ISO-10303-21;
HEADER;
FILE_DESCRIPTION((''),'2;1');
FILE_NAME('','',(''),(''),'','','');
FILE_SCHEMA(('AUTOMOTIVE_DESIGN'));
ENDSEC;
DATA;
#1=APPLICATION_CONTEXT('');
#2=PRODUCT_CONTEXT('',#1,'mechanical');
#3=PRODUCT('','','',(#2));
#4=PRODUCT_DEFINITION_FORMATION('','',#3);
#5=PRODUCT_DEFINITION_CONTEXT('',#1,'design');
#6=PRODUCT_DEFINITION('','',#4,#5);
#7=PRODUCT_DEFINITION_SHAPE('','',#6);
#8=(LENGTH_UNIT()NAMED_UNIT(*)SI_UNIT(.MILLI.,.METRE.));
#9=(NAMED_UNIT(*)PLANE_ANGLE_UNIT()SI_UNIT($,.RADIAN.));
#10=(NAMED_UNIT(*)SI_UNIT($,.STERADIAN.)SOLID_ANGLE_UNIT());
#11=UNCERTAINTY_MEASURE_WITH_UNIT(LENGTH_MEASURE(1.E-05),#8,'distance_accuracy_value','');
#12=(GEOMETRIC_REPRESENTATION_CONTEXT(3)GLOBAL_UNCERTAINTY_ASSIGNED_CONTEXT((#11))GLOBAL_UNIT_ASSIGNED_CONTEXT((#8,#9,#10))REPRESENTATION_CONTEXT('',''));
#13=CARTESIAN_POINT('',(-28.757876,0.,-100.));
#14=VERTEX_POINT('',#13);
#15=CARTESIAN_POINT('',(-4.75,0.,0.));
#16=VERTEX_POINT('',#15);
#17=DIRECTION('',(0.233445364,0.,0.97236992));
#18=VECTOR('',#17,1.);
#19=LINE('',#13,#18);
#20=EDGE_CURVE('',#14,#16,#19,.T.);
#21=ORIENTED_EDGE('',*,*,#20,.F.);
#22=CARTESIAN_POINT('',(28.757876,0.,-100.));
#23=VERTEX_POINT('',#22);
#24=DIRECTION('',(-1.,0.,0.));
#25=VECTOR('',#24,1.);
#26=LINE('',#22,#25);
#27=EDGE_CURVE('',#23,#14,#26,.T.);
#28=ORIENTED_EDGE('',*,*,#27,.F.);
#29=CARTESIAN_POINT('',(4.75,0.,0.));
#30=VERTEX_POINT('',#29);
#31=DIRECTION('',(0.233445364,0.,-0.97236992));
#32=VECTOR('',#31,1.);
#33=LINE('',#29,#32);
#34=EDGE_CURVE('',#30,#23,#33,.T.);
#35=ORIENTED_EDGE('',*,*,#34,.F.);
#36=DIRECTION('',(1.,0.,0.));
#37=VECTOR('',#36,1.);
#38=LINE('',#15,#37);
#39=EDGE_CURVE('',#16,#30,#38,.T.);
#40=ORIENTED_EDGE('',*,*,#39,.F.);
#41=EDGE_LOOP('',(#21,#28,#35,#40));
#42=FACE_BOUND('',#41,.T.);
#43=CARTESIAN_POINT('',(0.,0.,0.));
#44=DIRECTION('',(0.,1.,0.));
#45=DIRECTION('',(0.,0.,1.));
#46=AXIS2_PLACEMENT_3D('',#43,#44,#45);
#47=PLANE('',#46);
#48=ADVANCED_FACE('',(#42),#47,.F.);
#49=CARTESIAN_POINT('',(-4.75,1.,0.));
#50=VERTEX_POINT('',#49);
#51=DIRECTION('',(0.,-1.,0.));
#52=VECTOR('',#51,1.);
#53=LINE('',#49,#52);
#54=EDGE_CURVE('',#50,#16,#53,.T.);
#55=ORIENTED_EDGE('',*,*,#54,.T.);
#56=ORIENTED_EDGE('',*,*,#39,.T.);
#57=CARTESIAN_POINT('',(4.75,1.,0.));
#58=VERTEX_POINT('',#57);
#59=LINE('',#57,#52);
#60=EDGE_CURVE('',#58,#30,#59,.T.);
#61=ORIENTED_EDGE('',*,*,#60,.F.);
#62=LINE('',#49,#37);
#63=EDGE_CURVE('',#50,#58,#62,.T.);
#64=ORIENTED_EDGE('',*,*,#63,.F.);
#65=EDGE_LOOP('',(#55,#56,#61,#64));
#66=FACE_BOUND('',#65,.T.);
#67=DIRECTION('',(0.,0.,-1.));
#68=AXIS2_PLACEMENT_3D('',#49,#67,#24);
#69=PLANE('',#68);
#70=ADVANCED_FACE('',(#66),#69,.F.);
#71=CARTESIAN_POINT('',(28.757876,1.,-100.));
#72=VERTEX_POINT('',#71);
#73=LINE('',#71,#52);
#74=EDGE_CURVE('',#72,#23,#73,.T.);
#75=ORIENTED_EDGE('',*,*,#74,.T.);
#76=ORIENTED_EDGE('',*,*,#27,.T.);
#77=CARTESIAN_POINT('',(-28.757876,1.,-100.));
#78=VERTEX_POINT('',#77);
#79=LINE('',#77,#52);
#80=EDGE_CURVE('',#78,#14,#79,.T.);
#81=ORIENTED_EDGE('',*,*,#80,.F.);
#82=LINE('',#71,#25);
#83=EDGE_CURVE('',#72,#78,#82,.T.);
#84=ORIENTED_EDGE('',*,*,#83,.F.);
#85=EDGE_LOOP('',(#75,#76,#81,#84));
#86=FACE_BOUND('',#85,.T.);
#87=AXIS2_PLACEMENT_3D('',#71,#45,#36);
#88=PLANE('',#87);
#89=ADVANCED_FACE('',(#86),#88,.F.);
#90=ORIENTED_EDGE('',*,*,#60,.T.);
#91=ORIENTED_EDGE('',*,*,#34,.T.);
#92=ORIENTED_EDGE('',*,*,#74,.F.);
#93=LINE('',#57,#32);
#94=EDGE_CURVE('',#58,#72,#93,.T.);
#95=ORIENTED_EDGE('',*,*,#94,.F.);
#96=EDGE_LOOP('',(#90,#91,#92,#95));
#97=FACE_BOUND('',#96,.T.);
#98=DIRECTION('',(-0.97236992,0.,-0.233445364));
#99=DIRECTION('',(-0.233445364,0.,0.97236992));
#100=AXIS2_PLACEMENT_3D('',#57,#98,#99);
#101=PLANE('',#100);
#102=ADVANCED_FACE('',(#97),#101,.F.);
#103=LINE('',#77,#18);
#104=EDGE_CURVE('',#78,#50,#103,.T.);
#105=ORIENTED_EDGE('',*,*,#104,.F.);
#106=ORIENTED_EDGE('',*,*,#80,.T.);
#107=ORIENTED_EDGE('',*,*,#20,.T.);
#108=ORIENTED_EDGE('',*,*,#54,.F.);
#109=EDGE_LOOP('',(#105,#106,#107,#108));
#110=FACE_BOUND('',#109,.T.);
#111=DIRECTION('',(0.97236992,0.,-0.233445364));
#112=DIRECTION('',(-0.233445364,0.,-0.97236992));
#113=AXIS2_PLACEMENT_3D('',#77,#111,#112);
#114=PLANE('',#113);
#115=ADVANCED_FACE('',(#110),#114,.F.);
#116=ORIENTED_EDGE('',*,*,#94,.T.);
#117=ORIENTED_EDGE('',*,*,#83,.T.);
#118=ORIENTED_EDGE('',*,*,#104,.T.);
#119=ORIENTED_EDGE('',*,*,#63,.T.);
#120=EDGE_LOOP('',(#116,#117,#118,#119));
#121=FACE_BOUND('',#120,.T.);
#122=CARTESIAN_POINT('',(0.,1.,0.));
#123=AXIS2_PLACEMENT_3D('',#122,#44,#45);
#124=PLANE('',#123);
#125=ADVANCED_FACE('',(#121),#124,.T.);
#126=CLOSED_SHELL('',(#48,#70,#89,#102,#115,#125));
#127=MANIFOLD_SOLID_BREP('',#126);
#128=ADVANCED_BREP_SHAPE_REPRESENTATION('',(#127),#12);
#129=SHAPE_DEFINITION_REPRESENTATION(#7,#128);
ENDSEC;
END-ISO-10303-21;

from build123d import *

# Parameters (mm, degrees)
BOSS_EXTRUDE1_DEPTH = 1


with BuildPart() as part:
    # Sketch1 → Boss-Extrude1 (new body)
    with BuildSketch(Plane(origin=(0, 0, 0), x_dir=(1, 0, 0), z_dir=(0, 1, 0))):
        Polygon((4.75, 0), (28.757875908, 100), (-28.757875908, 100), (-4.75, 0), align=None)
    extrude(amount=BOSS_EXTRUDE1_DEPTH)


solid = part.part
